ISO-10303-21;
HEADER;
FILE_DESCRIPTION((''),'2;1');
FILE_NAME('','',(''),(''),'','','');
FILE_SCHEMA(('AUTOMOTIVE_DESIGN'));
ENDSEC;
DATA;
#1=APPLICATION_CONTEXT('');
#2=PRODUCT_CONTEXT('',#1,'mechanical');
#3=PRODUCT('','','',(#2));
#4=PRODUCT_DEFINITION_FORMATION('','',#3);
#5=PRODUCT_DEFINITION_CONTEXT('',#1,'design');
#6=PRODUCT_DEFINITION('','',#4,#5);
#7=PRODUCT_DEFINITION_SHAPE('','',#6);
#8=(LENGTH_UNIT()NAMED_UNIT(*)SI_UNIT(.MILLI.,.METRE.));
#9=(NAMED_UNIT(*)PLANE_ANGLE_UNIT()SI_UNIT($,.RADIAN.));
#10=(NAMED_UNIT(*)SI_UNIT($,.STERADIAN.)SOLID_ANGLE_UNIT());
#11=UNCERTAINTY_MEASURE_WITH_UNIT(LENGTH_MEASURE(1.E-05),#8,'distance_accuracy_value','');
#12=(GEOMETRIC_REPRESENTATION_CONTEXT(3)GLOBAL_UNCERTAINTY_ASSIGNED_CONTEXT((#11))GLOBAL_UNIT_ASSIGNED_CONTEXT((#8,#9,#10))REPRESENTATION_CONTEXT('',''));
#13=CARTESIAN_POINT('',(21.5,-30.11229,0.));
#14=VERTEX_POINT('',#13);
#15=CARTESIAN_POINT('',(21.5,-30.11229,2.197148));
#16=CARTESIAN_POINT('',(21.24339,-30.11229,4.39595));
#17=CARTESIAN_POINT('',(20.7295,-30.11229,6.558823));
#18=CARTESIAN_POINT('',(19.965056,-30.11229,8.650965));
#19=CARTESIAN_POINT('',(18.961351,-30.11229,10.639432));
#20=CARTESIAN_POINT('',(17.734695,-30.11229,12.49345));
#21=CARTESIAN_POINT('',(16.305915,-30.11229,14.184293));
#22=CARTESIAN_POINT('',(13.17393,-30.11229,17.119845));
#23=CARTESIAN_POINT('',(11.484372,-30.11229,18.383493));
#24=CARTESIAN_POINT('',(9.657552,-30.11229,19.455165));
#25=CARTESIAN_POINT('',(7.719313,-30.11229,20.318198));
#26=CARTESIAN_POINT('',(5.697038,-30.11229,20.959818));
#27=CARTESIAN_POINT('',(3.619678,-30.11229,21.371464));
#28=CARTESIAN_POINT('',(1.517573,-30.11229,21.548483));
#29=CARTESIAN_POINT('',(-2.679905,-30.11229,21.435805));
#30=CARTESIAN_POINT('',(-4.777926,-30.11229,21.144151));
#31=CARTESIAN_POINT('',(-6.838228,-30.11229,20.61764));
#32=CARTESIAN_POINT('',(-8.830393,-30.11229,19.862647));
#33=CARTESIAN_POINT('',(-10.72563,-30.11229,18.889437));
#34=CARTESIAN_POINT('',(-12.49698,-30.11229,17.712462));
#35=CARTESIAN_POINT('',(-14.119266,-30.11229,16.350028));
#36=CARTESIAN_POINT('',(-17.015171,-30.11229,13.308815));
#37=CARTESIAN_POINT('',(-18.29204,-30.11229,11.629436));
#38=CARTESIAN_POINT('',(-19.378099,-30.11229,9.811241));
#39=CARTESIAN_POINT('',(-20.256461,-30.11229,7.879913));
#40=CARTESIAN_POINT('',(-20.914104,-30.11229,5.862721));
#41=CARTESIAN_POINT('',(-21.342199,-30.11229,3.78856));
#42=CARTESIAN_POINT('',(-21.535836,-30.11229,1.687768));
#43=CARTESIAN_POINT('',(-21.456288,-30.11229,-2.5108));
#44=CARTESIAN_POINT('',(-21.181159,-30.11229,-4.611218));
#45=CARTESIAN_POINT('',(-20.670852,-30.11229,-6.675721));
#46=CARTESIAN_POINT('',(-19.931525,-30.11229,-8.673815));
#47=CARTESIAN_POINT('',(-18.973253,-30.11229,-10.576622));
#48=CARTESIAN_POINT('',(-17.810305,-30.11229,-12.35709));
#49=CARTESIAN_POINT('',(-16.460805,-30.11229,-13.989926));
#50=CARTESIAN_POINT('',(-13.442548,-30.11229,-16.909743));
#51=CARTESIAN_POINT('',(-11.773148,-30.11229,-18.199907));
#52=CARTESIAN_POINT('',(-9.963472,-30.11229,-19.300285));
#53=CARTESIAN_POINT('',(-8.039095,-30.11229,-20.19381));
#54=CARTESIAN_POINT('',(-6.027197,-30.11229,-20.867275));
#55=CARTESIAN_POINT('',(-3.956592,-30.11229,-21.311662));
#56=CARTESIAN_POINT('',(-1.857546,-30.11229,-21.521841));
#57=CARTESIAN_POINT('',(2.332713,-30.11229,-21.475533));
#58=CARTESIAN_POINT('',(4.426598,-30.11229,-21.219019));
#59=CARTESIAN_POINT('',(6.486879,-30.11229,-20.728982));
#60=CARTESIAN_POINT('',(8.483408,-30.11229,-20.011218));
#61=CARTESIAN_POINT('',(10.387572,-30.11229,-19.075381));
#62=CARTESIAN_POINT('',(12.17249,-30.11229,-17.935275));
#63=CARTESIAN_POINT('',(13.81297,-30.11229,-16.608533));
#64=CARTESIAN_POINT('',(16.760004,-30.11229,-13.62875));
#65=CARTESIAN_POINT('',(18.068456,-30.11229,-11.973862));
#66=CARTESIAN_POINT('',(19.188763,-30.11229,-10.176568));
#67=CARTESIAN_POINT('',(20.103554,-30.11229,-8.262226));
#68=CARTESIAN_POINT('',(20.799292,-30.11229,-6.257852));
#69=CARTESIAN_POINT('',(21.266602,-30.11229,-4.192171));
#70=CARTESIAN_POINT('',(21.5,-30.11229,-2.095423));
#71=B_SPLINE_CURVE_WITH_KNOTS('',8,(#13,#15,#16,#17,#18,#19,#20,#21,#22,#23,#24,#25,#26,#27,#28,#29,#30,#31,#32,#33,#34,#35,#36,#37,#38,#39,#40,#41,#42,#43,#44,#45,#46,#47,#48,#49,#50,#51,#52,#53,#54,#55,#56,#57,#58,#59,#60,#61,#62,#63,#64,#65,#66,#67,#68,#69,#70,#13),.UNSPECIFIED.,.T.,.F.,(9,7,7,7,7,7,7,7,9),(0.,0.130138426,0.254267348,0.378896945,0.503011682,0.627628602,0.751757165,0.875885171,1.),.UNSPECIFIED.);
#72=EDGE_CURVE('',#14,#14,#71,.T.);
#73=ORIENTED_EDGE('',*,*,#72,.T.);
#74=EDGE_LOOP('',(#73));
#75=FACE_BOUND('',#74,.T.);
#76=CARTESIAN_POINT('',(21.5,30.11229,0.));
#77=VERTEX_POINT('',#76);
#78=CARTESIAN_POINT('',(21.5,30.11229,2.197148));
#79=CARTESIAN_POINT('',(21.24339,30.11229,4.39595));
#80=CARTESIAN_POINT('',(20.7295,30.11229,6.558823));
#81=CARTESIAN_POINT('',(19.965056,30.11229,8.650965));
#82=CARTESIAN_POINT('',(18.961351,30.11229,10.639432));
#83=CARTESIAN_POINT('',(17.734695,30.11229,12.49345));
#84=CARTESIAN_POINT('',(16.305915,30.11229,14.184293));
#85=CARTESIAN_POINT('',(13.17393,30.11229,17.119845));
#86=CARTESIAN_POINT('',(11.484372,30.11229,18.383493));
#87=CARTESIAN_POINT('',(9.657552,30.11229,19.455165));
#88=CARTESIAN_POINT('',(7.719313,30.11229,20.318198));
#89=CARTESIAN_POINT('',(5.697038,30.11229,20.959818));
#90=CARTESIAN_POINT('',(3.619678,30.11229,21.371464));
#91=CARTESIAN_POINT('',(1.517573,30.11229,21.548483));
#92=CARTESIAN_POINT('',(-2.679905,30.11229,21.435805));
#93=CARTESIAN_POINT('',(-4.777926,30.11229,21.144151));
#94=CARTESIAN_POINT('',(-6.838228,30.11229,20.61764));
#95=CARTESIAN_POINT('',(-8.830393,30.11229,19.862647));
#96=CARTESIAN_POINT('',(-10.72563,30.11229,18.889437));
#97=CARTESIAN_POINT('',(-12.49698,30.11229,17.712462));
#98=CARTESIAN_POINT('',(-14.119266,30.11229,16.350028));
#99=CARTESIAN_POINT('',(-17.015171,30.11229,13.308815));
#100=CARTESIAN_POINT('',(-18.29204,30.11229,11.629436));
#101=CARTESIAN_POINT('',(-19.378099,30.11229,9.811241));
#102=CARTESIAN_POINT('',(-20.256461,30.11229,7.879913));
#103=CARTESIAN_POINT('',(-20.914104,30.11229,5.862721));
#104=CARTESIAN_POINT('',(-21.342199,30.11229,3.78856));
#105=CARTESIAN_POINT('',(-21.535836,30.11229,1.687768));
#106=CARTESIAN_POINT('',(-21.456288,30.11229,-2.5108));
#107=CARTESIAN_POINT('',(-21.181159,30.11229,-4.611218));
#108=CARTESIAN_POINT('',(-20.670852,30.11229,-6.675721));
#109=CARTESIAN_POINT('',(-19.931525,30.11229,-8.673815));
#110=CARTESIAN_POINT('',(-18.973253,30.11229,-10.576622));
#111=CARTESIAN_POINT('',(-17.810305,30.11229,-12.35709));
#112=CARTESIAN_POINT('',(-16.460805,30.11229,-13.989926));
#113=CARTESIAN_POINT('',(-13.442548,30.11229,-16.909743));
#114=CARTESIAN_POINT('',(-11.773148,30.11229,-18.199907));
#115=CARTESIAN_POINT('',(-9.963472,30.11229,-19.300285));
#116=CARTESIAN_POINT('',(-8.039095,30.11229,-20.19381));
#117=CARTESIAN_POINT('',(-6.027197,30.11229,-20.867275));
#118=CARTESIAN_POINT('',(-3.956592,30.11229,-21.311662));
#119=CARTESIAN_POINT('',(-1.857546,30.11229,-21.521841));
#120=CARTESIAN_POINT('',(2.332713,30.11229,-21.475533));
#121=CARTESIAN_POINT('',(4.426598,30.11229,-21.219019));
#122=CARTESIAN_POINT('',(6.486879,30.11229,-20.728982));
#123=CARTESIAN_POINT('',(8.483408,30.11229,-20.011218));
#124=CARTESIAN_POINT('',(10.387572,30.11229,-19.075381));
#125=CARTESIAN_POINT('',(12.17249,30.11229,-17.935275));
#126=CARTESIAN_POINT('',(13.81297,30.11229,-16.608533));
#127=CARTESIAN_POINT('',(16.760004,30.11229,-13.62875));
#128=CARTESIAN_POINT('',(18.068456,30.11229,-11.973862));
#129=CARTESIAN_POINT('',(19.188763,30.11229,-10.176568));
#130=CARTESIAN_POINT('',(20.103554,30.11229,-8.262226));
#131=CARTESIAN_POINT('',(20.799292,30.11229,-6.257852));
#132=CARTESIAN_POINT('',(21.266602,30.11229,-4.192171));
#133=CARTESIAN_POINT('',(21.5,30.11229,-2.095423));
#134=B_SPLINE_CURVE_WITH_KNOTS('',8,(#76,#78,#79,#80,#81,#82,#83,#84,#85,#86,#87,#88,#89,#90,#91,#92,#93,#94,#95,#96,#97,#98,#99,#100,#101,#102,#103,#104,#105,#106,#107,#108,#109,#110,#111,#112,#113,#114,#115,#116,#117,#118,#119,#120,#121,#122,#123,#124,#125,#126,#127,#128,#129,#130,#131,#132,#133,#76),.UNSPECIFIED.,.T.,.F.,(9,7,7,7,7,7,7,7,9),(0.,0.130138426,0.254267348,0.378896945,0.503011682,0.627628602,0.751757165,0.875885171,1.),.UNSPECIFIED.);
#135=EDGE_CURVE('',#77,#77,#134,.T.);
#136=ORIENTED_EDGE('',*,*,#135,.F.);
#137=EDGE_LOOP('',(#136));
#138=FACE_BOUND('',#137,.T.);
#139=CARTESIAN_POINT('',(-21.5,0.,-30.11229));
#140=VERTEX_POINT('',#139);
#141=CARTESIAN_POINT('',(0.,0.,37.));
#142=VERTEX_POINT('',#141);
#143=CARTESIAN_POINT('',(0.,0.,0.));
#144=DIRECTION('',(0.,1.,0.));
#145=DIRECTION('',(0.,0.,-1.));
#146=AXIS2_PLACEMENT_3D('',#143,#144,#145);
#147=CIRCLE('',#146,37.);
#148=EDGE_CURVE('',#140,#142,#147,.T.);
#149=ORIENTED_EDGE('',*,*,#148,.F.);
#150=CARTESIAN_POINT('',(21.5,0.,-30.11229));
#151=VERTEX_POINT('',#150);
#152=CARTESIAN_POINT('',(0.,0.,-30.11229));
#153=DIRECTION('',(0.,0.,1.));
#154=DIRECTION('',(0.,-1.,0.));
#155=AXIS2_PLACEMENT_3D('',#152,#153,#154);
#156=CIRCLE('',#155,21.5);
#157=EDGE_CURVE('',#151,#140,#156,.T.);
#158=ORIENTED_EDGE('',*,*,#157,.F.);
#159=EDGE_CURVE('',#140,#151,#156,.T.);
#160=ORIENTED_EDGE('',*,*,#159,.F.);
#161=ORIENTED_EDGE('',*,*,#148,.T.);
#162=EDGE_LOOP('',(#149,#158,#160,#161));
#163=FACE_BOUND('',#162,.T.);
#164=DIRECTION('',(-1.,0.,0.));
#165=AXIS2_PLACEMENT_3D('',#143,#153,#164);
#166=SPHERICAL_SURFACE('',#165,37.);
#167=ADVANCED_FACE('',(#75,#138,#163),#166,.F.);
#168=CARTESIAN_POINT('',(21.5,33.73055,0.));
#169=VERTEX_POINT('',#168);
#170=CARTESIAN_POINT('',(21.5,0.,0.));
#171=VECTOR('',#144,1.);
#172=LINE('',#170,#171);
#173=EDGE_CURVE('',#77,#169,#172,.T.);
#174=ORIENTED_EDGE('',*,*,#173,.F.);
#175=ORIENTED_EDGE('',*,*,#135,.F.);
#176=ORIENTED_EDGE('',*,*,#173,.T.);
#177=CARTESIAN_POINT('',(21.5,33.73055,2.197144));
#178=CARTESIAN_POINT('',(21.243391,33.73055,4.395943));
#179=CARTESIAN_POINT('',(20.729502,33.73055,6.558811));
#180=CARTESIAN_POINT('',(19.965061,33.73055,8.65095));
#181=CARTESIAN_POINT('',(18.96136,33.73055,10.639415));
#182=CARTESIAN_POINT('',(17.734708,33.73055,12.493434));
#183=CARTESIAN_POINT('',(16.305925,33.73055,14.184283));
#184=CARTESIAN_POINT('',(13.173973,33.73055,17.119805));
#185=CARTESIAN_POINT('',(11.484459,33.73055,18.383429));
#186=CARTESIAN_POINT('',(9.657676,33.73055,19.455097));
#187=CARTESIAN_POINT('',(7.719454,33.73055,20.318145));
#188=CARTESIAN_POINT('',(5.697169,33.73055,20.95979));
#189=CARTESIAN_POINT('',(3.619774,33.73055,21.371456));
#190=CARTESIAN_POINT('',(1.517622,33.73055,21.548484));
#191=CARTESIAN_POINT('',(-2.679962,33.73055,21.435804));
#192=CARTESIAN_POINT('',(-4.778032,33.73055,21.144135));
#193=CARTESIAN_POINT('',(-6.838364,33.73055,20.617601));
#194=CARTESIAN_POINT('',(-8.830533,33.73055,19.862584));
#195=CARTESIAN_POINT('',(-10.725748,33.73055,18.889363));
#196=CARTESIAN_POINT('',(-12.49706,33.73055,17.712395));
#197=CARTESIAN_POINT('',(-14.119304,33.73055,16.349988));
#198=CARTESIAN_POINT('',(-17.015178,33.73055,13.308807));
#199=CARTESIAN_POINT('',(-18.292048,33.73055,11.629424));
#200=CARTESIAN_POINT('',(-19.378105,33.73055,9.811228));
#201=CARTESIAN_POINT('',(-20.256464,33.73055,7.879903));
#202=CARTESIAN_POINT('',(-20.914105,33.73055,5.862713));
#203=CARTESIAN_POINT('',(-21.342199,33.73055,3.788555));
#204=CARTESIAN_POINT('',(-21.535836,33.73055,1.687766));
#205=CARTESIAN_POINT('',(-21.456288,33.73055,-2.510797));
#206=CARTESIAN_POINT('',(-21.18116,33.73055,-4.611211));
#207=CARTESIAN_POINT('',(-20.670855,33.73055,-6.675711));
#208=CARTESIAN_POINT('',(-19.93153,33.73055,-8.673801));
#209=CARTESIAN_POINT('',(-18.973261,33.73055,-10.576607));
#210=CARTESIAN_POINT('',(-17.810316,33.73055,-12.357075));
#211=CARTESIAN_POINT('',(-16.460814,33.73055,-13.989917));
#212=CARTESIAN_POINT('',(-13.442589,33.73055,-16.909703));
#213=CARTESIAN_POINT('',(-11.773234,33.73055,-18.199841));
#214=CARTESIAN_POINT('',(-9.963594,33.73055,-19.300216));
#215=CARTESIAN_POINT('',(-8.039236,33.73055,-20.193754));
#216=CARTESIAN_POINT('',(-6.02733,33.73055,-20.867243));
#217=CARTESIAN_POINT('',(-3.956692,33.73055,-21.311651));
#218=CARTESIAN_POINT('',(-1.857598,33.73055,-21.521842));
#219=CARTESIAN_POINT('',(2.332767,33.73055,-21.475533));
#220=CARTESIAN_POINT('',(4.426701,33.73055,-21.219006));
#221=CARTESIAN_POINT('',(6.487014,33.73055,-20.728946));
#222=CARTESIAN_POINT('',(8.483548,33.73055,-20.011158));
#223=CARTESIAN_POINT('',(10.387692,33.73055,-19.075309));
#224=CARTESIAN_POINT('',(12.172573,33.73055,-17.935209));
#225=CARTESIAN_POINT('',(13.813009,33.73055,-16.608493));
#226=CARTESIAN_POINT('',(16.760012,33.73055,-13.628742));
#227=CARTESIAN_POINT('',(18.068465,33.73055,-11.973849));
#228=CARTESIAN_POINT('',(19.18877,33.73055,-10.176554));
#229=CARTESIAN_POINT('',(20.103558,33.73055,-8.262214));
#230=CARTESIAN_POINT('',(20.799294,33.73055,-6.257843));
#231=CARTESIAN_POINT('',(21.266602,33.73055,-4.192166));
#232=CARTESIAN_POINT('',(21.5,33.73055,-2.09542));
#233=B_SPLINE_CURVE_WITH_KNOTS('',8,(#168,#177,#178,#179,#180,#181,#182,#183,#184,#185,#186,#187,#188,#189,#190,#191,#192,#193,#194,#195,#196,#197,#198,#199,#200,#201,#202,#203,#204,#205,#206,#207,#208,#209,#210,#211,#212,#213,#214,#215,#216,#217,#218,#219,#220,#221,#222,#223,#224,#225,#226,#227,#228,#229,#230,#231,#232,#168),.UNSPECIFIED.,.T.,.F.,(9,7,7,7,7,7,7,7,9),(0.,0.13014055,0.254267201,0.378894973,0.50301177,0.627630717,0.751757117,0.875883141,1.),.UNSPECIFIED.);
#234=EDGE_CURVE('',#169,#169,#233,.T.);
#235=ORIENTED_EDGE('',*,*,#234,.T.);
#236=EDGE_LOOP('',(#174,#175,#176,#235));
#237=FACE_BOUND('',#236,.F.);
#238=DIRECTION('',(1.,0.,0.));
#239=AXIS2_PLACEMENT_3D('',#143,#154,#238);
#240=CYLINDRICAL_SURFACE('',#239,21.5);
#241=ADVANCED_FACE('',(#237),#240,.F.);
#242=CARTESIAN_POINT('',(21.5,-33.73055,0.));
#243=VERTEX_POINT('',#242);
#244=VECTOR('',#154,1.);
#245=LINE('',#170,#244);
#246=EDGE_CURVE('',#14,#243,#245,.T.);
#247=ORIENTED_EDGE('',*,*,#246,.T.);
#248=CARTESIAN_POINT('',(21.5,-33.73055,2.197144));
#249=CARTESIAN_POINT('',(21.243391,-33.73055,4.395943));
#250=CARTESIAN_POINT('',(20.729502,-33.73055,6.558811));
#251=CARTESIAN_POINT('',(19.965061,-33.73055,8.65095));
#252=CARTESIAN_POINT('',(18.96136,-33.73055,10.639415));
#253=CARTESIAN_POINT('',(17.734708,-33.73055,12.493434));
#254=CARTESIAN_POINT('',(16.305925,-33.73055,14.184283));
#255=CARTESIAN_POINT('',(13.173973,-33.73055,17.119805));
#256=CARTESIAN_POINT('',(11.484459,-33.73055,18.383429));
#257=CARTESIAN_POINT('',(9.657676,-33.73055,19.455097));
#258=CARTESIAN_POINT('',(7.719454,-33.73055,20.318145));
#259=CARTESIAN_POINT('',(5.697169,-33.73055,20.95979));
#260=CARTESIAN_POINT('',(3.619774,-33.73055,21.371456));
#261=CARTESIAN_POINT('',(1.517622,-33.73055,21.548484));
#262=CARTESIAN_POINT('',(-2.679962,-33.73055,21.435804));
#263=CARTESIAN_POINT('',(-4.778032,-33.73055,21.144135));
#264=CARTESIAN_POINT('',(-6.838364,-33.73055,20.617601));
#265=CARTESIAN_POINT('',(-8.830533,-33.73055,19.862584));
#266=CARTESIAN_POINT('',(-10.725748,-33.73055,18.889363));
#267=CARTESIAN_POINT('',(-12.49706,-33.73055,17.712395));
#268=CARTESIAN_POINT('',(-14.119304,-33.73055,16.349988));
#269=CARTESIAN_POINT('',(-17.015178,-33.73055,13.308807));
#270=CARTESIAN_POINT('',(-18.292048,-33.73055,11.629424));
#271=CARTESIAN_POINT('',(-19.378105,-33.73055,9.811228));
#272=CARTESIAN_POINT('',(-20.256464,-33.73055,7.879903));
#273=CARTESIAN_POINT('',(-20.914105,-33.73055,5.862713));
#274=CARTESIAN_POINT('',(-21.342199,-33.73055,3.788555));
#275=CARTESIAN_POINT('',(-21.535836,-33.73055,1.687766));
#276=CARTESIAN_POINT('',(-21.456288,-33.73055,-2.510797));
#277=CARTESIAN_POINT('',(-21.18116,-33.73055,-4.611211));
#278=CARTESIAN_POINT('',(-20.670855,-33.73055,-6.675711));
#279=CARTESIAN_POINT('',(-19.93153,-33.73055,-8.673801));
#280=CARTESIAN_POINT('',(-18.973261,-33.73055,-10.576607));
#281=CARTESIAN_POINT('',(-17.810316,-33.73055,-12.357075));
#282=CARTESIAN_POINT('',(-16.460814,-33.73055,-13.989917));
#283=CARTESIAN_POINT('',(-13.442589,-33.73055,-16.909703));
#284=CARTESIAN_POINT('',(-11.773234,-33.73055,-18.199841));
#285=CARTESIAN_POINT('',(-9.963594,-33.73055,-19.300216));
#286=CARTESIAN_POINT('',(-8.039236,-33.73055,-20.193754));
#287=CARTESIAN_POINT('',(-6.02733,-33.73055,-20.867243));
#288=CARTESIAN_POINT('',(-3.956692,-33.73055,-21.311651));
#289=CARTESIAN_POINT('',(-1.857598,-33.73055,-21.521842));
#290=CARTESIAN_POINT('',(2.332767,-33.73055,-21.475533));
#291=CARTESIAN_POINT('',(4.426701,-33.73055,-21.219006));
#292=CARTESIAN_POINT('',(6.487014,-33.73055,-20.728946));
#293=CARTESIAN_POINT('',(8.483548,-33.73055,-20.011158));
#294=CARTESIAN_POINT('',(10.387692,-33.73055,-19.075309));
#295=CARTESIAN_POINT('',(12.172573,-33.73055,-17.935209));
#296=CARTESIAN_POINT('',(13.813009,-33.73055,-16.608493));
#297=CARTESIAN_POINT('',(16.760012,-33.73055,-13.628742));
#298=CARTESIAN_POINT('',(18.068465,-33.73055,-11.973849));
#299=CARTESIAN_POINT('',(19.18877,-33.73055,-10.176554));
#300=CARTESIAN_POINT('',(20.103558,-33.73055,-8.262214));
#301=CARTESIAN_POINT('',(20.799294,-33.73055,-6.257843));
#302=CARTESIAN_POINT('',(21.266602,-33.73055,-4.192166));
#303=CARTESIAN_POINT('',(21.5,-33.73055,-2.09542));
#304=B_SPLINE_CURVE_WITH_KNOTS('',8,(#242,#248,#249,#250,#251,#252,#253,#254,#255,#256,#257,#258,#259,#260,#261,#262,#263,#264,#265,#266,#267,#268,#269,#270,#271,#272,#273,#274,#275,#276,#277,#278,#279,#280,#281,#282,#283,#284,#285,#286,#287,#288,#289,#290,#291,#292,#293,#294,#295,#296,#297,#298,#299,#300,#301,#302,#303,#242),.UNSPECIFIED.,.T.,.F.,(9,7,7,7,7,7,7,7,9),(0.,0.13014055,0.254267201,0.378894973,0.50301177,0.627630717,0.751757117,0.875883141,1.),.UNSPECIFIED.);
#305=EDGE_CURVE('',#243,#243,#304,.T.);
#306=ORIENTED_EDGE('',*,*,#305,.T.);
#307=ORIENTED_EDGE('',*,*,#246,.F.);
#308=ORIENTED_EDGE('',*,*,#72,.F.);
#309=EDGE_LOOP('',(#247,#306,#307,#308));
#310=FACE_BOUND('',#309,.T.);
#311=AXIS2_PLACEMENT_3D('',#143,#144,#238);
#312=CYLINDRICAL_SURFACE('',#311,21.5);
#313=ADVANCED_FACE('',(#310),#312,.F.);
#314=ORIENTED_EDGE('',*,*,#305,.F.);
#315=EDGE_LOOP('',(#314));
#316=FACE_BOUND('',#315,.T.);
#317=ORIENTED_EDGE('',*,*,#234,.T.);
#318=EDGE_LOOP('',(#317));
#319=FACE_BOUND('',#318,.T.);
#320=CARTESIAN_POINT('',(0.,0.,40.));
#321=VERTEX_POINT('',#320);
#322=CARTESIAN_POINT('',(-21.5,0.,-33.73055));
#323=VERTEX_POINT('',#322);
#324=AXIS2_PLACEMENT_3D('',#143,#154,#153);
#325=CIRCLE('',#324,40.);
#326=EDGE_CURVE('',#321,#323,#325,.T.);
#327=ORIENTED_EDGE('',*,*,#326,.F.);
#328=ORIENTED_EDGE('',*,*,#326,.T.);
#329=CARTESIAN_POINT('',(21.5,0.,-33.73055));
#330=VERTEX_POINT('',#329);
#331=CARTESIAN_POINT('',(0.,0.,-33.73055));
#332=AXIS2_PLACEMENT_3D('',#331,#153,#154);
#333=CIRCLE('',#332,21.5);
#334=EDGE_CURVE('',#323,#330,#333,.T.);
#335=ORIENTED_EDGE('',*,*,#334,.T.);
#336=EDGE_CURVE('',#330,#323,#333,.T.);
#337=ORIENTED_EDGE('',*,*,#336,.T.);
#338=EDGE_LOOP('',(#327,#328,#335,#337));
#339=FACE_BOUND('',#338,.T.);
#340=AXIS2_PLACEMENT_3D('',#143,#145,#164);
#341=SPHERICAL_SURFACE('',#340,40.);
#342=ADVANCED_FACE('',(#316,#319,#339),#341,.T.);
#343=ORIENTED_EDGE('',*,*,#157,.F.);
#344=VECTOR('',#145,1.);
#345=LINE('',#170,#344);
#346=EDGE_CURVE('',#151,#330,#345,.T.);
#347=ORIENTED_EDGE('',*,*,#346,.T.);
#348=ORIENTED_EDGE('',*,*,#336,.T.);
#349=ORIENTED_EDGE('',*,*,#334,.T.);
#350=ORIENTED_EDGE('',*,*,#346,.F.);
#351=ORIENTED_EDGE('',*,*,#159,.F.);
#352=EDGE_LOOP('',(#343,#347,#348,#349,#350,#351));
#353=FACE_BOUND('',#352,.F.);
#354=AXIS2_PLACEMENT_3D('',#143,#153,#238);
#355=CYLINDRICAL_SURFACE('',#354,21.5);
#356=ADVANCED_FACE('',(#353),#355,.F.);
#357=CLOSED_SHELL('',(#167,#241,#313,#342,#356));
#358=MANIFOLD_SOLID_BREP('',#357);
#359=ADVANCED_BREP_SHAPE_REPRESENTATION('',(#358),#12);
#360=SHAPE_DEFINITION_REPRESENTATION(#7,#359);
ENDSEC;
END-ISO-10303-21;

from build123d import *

# Parameters (mm, degrees)
F2_R          = 21.5
F3_DEPTH      = 40.001
F3_DEPTH_BACK = 40.001
F4_R          = 21.5
F5_DEPTH      = 40.001


with BuildPart() as f1:
    # F0 (on Front) → F1 (revolve)
    with BuildSketch(Plane.XZ):
        with BuildLine():
            Line((0, 37), (0, 40))
            ThreePointArc((0, 40), (-40, 0), (0, -40))
            Line((0, -40), (0, -37))
            ThreePointArc((0, -37), (-37, 0), (0, 37))
        make_face()
    revolve(axis=Axis((0, 0, -38.5), (0, 0, -1)))

    # F2 (on Front) → F3 (cut, two sides)
    with BuildSketch(Plane.XZ) as f3_sk:
        Circle(F2_R)
    extrude(amount=F3_DEPTH, mode=Mode.SUBTRACT)
    extrude(f3_sk.sketch, amount=-F3_DEPTH_BACK, mode=Mode.SUBTRACT)

    # F4 (on Top) → F5 (cut, through all)
    with BuildSketch(Plane.XY):
        Circle(F4_R)
    extrude(amount=-F5_DEPTH, mode=Mode.SUBTRACT)


solid = f1.part
